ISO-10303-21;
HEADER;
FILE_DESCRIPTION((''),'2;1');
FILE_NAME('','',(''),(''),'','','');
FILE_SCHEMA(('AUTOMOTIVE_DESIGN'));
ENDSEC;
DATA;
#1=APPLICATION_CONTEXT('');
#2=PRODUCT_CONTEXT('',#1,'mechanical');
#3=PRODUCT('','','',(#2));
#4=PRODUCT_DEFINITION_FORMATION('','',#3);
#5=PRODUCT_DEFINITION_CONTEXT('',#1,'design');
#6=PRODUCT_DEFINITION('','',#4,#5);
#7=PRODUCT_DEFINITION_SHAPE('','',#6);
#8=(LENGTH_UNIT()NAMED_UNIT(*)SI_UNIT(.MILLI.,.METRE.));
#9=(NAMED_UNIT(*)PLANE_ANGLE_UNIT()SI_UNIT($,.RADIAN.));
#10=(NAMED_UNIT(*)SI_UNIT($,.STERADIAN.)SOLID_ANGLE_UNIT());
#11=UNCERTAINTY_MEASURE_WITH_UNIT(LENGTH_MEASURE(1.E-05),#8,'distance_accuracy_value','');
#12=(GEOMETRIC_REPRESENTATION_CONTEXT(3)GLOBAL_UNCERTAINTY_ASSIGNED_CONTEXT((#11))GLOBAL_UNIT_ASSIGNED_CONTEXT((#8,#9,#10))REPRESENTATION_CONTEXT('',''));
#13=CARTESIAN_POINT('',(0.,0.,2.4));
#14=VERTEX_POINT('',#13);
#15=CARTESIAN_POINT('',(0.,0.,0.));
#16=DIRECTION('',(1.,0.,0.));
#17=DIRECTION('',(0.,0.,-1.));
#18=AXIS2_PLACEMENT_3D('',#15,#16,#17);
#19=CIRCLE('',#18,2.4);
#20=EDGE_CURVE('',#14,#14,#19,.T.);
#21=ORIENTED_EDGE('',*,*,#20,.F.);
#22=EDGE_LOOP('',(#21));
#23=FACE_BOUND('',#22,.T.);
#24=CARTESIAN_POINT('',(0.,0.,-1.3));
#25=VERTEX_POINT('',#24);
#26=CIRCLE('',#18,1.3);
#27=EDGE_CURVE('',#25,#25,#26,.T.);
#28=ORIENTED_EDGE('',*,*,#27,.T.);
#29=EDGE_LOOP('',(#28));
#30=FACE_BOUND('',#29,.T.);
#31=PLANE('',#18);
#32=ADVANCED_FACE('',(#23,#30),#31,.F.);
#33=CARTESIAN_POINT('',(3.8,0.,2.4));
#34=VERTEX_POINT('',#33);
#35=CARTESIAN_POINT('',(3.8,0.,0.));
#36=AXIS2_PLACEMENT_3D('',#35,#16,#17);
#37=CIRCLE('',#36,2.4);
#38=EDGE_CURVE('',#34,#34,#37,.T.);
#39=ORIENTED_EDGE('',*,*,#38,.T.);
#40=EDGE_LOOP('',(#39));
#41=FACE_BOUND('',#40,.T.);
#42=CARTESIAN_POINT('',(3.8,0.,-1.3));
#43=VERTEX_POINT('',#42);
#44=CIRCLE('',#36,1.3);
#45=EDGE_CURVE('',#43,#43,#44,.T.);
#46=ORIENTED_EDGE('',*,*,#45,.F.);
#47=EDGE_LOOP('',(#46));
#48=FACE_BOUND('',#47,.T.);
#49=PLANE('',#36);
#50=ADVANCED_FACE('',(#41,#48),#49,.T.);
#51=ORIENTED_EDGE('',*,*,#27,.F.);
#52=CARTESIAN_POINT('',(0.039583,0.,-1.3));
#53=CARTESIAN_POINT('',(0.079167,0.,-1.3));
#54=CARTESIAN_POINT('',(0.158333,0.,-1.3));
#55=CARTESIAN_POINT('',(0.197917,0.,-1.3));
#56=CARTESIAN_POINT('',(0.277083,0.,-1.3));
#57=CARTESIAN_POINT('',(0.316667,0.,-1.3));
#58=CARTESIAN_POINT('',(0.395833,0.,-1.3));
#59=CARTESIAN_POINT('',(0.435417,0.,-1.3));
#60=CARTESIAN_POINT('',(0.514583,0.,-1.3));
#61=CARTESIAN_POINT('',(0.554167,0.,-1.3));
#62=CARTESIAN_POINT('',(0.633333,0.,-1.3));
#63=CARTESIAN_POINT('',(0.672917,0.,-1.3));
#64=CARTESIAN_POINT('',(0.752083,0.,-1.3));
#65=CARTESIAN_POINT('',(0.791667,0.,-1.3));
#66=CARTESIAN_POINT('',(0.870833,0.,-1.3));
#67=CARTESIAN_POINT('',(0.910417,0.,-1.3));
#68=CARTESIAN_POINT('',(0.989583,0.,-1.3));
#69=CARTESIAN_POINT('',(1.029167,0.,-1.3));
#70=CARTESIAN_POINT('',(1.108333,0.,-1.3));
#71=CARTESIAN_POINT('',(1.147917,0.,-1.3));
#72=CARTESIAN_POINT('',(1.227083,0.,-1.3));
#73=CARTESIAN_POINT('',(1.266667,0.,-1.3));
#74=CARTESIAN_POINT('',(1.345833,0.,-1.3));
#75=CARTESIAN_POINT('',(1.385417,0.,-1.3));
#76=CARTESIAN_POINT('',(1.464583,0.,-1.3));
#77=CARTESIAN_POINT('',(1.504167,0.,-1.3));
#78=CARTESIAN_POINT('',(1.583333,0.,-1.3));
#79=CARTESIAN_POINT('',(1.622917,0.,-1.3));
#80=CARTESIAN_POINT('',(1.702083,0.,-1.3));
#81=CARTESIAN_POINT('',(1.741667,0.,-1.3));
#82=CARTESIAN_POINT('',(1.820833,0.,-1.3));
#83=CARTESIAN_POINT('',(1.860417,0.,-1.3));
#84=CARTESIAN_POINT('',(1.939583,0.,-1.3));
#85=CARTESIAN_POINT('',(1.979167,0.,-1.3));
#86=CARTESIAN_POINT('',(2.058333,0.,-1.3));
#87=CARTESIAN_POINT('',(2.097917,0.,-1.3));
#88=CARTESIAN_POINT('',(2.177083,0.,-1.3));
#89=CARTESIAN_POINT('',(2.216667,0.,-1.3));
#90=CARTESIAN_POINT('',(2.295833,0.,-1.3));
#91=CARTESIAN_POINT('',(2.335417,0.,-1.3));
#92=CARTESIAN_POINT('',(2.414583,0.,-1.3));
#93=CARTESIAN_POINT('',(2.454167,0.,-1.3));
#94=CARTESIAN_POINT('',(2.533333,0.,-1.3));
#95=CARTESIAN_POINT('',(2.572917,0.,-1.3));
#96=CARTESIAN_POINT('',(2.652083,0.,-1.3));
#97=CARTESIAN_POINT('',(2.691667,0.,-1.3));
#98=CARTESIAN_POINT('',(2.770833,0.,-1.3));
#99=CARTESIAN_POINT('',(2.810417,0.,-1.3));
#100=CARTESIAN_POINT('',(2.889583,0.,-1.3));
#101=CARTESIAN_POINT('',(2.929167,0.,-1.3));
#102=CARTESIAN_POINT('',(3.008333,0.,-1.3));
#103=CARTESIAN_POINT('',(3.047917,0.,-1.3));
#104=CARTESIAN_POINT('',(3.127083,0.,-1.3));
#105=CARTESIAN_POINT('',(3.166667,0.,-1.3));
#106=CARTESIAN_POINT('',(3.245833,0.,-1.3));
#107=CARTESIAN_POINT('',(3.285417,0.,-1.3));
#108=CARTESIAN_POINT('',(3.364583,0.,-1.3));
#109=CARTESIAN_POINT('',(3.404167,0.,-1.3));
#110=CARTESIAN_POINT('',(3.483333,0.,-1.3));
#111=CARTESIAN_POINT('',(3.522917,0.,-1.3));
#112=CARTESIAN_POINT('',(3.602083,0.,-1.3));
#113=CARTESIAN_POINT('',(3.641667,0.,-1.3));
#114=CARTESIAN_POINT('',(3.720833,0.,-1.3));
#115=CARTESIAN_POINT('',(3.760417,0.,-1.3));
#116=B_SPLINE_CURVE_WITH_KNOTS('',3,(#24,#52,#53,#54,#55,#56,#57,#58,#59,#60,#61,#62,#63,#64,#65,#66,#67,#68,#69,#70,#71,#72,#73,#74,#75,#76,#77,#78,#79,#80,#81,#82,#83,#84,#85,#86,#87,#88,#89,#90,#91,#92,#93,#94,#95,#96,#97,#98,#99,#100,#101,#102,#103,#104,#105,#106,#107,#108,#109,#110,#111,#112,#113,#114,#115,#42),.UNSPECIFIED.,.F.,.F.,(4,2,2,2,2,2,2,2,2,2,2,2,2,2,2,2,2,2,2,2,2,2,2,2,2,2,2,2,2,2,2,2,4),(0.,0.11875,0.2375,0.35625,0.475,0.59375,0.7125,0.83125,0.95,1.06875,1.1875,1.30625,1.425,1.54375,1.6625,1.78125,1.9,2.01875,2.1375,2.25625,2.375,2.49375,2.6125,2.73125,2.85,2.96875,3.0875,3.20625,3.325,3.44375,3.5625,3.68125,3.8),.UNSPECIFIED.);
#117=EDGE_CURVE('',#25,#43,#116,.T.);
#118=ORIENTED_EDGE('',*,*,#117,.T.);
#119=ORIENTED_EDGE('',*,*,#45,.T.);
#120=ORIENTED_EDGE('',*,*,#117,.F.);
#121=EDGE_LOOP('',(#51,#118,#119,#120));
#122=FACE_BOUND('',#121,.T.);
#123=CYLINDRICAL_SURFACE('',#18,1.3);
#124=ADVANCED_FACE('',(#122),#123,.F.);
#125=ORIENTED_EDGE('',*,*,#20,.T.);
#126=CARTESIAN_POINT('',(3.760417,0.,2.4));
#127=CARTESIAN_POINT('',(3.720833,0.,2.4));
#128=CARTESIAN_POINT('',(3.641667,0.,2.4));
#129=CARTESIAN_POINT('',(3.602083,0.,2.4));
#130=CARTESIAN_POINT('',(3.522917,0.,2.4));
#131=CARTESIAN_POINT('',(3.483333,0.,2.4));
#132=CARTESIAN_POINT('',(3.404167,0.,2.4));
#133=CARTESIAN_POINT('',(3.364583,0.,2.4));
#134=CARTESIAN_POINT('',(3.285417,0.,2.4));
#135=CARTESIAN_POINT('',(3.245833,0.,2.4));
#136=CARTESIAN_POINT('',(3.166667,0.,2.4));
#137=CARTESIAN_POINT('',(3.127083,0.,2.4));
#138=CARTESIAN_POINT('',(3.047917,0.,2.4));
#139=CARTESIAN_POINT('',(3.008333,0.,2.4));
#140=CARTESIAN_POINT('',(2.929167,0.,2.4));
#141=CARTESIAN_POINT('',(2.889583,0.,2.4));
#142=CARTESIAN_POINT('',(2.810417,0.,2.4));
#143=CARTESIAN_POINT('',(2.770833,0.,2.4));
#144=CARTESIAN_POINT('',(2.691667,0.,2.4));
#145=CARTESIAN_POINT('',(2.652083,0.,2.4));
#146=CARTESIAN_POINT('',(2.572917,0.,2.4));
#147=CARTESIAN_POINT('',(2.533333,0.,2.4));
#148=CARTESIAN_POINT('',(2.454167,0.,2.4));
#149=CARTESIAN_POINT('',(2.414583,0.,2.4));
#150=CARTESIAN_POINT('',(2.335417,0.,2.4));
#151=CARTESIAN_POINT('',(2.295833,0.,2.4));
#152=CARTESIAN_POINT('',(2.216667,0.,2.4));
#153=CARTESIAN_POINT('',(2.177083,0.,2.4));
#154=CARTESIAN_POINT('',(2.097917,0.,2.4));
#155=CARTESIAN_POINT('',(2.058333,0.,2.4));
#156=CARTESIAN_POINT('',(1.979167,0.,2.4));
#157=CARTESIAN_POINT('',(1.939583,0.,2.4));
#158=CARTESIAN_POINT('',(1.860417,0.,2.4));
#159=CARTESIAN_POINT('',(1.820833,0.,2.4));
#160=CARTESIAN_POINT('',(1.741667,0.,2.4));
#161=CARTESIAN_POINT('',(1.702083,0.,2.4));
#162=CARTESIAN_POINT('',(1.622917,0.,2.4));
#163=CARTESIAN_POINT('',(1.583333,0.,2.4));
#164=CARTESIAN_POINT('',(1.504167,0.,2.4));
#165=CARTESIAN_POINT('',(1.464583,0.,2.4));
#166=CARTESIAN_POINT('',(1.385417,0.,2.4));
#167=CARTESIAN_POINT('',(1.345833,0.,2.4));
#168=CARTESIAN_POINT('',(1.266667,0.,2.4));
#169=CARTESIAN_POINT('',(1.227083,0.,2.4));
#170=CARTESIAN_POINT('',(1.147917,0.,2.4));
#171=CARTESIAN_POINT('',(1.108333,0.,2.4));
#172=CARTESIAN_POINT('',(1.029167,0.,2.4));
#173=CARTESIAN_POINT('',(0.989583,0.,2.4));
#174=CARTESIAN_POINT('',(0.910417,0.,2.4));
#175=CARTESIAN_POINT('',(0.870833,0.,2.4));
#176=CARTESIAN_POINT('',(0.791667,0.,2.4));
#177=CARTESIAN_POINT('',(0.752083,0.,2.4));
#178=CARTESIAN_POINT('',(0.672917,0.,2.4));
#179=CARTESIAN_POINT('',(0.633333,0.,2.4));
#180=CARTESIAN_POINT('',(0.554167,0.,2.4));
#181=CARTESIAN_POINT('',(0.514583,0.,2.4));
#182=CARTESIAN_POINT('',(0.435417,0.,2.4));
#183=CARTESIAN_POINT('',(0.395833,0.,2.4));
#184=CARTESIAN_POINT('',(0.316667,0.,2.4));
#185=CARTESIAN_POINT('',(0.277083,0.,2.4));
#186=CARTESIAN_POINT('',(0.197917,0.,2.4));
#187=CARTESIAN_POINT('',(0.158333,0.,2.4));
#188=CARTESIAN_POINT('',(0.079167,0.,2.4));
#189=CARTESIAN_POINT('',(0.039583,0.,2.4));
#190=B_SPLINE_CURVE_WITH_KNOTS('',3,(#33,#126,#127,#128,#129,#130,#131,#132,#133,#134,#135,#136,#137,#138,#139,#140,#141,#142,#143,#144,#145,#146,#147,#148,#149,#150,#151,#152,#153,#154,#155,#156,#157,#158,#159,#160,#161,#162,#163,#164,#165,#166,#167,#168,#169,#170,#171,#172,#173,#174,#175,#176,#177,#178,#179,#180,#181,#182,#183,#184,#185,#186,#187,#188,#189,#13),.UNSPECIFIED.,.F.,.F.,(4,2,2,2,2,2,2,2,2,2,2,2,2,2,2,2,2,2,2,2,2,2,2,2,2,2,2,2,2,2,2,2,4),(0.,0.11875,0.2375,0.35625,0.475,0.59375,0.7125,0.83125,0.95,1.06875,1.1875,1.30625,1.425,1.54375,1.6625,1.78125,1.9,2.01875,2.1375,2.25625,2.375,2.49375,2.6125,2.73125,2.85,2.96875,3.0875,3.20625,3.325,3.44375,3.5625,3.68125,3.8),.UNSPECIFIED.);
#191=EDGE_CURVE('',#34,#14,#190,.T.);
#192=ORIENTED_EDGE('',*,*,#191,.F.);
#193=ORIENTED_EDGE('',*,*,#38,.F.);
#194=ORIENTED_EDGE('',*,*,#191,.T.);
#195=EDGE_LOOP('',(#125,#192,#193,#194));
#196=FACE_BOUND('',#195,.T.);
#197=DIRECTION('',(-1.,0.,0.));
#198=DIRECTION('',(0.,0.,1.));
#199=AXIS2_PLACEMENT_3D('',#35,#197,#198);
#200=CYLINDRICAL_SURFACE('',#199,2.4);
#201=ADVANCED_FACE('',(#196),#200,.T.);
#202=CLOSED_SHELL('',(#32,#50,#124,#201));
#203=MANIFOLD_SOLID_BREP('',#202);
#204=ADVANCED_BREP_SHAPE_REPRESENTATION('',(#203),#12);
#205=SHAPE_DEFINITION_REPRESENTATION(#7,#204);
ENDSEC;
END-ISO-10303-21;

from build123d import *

# Parameters (mm, degrees)
SKETCH1_R           = 2.4
BOSS_EXTRUDE1_DEPTH = 3.8
SKETCH2_R           = 1.3
CUT_EXTRUDE1_DEPTH  = 3.8


with BuildPart() as part:
    # Sketch1 → Boss-Extrude1 (new body)
    with BuildSketch(Plane(origin=(0, 0, 0), x_dir=(0, 0, -1), z_dir=(1, 0, 0))):
        with Locations(Location((0, 0, 0), (0, 0, 180))):
            Circle(SKETCH1_R)
    extrude(amount=BOSS_EXTRUDE1_DEPTH)

    # Sketch2 → Cut-Extrude1 (cut)
    with BuildSketch(Plane(origin=(3.8, 0, 0), x_dir=(0, 0, -1), z_dir=(1, 0, 0))):
        Circle(SKETCH2_R)
    extrude(amount=-CUT_EXTRUDE1_DEPTH, mode=Mode.SUBTRACT)


solid = part.part
